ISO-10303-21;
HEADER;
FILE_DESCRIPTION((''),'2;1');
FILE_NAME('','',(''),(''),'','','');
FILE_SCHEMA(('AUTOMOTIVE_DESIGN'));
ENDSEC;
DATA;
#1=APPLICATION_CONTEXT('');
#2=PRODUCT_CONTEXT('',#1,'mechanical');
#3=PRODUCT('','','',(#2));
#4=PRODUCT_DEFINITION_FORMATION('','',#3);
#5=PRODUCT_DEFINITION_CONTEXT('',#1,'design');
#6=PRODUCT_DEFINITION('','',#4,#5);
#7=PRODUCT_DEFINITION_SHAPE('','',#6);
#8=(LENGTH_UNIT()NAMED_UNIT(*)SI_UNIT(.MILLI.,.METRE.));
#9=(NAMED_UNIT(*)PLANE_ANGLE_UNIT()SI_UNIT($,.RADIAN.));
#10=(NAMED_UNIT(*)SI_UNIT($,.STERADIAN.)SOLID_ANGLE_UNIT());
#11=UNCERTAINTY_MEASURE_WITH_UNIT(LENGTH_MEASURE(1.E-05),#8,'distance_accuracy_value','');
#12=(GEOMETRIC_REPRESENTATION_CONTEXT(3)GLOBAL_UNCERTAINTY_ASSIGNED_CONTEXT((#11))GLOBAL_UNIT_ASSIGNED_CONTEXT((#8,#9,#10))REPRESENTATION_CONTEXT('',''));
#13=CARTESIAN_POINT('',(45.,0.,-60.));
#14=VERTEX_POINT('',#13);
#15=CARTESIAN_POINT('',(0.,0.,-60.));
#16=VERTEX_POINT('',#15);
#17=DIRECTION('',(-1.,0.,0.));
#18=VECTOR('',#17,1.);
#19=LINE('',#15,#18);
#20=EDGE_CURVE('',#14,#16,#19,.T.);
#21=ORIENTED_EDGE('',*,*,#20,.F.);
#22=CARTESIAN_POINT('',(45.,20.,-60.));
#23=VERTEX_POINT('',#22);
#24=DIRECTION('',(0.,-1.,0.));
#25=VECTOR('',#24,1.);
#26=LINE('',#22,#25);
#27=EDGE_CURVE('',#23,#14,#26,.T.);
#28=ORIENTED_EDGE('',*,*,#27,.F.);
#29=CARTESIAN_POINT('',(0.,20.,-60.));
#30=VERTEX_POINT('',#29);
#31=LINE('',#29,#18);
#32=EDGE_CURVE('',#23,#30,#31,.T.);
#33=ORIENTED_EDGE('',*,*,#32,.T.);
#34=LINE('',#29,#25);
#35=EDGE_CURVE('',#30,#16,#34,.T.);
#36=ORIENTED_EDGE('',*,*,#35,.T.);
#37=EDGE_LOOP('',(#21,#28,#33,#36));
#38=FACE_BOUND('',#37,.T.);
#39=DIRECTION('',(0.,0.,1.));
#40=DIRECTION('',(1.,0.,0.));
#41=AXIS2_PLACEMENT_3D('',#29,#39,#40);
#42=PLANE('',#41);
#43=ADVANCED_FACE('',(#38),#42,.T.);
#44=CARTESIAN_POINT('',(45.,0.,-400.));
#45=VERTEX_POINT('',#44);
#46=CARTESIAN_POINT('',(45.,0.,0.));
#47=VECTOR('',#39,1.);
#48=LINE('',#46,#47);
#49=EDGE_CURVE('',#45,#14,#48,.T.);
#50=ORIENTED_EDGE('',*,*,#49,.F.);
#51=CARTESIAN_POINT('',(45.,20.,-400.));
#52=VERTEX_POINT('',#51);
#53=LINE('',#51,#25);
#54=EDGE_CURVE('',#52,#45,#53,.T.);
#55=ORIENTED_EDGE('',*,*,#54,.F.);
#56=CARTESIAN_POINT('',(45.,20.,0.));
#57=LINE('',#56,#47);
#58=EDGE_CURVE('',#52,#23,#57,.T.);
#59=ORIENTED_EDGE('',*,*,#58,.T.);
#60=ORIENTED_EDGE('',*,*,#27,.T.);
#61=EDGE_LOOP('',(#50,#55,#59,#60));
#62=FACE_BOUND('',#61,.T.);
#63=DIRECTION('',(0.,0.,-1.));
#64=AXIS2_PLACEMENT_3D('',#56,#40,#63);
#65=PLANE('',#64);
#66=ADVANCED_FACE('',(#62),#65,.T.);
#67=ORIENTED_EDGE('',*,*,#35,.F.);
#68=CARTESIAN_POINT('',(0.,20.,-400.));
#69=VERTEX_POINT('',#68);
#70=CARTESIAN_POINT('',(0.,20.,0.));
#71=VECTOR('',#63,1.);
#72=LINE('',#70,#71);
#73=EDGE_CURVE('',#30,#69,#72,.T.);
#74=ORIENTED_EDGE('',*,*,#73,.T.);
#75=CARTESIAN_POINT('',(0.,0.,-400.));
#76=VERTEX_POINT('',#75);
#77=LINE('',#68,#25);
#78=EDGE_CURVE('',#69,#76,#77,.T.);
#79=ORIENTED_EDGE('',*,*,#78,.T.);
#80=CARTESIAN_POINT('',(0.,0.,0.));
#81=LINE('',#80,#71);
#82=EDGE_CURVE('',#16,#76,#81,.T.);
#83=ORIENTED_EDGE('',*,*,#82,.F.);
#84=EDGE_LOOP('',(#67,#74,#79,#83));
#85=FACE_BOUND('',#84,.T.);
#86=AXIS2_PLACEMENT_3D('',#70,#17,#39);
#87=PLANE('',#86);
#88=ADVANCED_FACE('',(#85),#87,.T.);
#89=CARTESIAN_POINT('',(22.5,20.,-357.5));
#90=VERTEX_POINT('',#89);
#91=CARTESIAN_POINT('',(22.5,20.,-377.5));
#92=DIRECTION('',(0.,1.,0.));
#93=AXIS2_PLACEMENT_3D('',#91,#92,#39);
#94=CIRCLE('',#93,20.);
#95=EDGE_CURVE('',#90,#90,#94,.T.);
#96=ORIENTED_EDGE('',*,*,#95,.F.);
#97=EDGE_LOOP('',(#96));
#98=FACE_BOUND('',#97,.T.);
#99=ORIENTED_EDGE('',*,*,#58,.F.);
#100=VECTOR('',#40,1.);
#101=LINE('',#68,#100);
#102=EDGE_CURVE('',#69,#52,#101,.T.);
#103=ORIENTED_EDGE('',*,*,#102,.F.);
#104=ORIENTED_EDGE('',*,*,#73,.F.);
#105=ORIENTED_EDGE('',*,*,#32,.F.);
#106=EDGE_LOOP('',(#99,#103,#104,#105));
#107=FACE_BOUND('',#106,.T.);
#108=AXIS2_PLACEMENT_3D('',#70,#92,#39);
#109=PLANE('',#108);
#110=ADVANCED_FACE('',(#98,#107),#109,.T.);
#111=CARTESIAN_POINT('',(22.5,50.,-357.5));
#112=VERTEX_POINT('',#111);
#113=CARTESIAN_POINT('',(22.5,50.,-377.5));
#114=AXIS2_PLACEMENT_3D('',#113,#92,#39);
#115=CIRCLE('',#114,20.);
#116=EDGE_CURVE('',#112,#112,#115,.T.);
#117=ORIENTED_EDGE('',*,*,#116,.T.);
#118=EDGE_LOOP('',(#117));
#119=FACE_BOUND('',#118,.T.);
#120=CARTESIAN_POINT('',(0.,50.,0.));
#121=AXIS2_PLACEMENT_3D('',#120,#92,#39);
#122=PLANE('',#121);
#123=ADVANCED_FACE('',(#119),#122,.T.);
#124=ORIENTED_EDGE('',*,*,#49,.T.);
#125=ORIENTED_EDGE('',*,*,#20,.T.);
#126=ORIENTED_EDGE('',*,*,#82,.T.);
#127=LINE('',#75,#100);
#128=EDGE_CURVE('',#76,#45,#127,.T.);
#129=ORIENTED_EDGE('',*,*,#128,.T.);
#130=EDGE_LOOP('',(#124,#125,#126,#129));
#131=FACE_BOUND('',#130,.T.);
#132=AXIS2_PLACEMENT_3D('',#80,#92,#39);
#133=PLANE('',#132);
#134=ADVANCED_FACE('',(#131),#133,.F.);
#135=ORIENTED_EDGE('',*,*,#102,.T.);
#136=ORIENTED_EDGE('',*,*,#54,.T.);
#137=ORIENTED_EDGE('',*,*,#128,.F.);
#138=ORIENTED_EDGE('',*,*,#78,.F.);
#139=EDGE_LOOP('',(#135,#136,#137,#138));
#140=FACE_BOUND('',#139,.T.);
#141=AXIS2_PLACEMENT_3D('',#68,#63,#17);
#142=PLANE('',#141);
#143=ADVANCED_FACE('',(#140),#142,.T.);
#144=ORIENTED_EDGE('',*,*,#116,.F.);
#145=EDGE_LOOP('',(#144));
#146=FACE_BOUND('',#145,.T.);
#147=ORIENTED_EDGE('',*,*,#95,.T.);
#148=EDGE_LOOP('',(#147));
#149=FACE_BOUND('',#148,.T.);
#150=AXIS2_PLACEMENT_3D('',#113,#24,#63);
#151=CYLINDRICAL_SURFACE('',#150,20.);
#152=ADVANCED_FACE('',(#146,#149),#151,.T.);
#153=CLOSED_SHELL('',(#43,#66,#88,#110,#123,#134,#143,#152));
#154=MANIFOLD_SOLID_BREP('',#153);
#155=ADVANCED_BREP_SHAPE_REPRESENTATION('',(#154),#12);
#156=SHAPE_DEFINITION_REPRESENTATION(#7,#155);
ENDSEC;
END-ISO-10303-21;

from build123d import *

# Parameters (mm, degrees)
CROQUIS1_W              = 45
CROQUIS1_H              = 340
SALIENTE_EXTRUIR1_DEPTH = 20
CROQUIS2_R              = 20
SALIENTE_EXTRUIR2_DEPTH = 30


with BuildPart() as part:
    # Croquis1 → Saliente-Extruir1 (new body)
    with BuildSketch(Plane(origin=(0, 0, 0), x_dir=(1, 0, 0), z_dir=(0, 1, 0))):
        with Locations((22.5, 230)):
            Rectangle(CROQUIS1_W, CROQUIS1_H)
    extrude(amount=SALIENTE_EXTRUIR1_DEPTH)

    # Croquis2 → Saliente-Extruir2 (add)
    with BuildSketch(Plane(origin=(0, 20, 0), x_dir=(1, 0, 0), z_dir=(0, 1, 0))):
        with Locations(Location((22.5, 377.5, 0), (0, 0, 270))):
            Circle(CROQUIS2_R)
    extrude(amount=SALIENTE_EXTRUIR2_DEPTH)


solid = part.part
